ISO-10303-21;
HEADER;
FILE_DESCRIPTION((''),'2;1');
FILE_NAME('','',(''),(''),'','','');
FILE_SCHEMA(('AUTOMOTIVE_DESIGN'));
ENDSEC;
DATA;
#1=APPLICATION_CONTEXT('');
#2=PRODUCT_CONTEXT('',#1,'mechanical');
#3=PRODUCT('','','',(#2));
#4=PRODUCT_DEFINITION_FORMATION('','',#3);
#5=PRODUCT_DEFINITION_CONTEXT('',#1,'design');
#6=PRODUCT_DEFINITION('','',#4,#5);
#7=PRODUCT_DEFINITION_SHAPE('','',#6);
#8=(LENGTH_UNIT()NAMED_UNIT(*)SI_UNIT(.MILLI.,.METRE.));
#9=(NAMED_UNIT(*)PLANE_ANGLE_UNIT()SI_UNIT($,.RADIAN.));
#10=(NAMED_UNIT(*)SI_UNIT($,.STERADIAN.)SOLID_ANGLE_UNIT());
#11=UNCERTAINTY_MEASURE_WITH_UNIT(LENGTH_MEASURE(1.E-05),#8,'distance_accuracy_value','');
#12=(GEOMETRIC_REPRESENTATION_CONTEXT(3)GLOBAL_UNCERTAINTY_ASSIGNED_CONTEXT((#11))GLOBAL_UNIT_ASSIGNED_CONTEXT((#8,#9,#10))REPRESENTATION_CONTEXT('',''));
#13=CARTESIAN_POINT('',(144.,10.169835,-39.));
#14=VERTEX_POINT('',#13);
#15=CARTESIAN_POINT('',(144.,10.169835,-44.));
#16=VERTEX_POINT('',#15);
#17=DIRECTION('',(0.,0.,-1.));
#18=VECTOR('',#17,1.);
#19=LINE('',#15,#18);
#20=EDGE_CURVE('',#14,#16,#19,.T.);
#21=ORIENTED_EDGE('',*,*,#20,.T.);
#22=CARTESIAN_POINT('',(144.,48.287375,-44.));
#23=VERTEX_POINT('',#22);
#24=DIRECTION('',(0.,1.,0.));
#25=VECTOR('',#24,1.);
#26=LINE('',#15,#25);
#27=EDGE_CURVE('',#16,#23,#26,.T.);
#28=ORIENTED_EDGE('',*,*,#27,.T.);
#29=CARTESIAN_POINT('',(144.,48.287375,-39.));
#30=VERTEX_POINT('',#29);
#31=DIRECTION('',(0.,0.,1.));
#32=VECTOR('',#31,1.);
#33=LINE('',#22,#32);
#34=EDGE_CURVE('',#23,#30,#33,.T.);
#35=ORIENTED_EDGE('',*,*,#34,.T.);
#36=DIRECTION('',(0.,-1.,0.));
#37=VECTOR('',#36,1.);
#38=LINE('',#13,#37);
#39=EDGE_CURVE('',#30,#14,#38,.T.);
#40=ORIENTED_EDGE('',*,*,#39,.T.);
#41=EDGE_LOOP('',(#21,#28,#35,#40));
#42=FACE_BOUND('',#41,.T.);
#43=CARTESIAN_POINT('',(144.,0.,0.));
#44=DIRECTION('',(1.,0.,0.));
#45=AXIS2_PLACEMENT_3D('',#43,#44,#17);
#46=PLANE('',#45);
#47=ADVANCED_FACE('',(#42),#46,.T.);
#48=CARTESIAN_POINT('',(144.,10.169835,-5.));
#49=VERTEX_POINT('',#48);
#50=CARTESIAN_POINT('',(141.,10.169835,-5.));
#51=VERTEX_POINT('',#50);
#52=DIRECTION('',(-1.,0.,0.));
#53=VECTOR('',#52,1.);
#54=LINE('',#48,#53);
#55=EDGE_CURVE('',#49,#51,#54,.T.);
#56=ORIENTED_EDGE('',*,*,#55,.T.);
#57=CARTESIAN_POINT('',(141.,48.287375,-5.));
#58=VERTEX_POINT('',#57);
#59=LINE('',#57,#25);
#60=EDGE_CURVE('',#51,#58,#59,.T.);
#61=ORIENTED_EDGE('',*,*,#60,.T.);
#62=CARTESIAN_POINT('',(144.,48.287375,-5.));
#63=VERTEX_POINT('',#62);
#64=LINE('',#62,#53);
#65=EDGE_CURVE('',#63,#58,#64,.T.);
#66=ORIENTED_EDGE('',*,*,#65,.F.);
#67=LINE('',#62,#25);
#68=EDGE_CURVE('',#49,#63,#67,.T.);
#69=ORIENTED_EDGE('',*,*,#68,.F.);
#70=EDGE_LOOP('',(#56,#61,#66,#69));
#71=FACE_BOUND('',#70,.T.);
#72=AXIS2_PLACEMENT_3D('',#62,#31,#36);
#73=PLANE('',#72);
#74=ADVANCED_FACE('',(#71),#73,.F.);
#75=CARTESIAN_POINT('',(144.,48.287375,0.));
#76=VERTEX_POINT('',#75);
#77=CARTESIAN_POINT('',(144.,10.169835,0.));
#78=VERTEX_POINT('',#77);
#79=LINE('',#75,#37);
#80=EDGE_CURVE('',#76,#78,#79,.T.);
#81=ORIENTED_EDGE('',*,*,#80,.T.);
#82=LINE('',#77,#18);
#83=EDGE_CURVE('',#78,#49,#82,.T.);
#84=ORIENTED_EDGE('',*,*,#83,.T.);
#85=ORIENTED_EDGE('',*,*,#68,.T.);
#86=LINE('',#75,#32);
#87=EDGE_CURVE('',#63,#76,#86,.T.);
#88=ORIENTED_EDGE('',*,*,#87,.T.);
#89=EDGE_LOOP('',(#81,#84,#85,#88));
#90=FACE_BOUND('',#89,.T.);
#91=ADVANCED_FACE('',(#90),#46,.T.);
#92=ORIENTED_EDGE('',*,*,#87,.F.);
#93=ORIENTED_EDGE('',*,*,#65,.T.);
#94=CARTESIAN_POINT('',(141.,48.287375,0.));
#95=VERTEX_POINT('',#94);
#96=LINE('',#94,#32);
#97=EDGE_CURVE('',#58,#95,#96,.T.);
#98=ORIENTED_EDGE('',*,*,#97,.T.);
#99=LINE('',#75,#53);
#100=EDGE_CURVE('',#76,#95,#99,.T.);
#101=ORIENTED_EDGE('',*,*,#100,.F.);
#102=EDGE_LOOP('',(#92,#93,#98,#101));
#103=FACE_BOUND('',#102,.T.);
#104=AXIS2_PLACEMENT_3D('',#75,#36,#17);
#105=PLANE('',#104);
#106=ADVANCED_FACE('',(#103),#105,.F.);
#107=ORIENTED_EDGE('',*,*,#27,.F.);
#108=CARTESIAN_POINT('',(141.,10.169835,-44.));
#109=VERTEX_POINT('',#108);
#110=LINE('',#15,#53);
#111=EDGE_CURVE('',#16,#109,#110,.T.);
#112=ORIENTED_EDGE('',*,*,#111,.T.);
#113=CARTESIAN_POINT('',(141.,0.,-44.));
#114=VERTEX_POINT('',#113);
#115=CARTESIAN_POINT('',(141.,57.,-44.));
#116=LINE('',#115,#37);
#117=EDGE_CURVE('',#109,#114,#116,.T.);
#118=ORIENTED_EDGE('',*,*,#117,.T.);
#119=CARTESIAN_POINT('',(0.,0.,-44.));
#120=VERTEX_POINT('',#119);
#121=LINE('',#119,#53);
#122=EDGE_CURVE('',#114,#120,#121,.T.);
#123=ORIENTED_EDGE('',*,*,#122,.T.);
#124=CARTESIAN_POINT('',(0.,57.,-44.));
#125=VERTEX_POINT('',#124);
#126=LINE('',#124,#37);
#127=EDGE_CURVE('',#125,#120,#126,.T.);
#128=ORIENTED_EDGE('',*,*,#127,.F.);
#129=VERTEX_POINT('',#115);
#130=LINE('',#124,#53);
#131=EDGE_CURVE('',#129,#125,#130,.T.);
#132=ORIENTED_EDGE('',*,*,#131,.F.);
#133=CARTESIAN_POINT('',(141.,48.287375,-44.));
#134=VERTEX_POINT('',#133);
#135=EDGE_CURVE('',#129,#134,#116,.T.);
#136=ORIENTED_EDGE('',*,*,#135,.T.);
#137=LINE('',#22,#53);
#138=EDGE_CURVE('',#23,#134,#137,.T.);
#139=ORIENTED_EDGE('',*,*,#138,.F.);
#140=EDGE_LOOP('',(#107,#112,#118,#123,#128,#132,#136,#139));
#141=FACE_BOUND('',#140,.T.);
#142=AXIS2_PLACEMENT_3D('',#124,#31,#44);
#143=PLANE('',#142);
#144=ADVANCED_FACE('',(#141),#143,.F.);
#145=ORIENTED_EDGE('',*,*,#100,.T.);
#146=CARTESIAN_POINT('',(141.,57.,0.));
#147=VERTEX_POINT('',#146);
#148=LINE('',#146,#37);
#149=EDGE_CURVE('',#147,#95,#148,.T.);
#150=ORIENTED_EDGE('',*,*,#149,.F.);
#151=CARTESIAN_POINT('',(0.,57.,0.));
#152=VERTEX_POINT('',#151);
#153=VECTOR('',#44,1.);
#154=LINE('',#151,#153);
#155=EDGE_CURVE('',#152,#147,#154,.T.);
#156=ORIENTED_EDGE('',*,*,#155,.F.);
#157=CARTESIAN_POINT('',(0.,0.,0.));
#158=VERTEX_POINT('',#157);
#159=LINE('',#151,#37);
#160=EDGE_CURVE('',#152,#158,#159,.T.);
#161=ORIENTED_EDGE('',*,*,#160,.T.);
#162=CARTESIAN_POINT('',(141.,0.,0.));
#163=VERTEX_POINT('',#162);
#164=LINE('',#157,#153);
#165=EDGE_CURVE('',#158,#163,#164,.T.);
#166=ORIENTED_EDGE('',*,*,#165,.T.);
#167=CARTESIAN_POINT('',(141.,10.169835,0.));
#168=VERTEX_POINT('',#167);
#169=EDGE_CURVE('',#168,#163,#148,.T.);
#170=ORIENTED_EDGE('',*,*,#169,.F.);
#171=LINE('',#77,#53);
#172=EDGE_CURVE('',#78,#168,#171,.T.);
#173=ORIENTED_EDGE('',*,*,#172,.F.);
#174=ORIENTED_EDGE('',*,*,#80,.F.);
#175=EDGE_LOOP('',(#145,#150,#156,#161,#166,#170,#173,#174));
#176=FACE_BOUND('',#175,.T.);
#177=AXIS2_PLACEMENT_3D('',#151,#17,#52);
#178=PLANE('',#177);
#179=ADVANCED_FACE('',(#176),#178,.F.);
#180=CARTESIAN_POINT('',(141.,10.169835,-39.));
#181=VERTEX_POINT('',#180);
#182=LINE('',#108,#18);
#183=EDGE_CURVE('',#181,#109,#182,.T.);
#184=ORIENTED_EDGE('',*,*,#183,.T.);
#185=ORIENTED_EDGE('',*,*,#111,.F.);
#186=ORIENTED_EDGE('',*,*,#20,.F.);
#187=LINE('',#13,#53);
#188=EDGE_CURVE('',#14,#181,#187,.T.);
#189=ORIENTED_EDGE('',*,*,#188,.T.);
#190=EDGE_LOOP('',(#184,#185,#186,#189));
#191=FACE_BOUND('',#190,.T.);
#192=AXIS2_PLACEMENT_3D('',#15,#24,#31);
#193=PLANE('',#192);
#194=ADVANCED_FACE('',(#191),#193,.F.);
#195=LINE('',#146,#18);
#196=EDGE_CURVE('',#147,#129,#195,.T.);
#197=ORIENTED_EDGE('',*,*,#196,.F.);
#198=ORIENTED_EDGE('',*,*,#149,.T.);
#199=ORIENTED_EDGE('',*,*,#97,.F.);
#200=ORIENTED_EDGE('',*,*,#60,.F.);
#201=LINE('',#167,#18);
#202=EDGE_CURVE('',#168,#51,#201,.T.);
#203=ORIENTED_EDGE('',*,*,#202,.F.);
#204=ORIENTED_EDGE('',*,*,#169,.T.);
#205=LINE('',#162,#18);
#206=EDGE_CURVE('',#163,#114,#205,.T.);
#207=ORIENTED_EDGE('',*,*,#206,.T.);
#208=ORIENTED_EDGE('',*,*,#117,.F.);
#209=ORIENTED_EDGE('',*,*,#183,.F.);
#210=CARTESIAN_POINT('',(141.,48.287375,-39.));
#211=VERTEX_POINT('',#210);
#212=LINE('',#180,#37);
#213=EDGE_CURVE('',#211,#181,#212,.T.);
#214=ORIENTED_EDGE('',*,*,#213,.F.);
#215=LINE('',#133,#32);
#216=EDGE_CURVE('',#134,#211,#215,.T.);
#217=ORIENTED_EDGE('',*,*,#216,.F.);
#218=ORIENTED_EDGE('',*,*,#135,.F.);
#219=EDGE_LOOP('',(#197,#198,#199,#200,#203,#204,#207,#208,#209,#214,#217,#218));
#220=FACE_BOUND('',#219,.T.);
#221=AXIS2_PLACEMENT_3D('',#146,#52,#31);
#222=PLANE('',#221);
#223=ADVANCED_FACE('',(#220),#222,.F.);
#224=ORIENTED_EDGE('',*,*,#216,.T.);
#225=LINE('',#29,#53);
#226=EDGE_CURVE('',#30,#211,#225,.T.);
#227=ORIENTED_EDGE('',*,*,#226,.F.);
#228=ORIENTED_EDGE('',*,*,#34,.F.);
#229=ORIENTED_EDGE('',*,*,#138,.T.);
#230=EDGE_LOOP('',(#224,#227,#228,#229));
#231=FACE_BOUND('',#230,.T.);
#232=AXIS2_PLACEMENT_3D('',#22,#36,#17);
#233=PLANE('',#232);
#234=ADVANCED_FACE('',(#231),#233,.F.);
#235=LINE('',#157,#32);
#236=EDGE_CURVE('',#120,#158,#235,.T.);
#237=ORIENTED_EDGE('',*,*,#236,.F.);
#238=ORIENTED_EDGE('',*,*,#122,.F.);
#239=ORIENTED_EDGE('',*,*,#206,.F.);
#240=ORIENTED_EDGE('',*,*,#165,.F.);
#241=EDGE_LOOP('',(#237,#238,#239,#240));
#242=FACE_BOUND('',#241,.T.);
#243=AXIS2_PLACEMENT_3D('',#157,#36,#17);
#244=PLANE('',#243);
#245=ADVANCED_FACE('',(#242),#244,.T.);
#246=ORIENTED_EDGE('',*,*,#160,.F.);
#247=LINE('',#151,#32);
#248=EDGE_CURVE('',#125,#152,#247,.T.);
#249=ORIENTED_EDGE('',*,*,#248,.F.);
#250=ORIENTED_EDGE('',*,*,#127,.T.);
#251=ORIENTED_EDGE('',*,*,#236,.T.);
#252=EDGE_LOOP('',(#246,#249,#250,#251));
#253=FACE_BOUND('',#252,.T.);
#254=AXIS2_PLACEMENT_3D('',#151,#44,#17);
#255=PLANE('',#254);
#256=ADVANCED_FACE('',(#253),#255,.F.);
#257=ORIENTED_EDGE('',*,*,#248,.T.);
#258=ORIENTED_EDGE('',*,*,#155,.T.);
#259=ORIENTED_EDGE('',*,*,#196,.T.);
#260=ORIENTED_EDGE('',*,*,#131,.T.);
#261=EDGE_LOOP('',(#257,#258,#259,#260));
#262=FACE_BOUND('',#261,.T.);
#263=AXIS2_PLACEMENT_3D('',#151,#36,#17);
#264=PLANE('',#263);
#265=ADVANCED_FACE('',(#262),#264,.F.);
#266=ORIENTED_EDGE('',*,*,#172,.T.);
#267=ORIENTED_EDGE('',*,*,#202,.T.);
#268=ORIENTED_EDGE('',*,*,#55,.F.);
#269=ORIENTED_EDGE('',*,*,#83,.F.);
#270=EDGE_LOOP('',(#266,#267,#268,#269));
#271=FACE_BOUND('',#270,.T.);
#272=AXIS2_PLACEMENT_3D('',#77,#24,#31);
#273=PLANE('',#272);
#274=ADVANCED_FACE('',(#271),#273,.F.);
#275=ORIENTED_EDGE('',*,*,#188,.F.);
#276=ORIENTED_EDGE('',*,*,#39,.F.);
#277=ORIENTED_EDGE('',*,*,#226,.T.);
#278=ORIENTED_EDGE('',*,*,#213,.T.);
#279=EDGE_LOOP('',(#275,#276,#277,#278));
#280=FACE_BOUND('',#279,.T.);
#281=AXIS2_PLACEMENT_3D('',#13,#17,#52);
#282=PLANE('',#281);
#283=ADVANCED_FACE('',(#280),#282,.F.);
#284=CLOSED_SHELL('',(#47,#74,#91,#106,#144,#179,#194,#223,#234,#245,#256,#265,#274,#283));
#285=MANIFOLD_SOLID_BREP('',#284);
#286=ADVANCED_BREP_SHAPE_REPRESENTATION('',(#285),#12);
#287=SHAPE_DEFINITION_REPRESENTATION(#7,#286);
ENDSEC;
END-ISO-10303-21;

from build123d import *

# Parameters (mm, degrees)
SKETCH_1_W      = 141
SKETCH_1_H      = 44
EXTRUDE_1_DEPTH = 57
SKETCH_2_W      = 5
SKETCH_2_H      = 38.117540617
EXTRUDE_2_DEPTH = 3


with BuildPart() as part:
    # Эскиз1 → Бобышка-Вытянуть1 (new body)
    with BuildSketch(Plane(origin=(0, 0, 0), x_dir=(1, 0, 0), z_dir=(0, 1, 0))):
        with Locations((70.5, 22)):
            Rectangle(SKETCH_1_W, SKETCH_1_H)
    extrude(amount=EXTRUDE_1_DEPTH)

    # Эскиз2 → Бобышка-Вытянуть2 (add)
    with BuildSketch(Plane(origin=(141, 0, 0), x_dir=(0, 0, -1), z_dir=(1, 0, 0))):
        with Locations((2.5, 29.228604901)):
            Rectangle(SKETCH_2_W, SKETCH_2_H)
        with Locations((41.5, 29.228604901)):
            Rectangle(SKETCH_2_W, SKETCH_2_H)
    extrude(amount=EXTRUDE_2_DEPTH)


solid = part.part
